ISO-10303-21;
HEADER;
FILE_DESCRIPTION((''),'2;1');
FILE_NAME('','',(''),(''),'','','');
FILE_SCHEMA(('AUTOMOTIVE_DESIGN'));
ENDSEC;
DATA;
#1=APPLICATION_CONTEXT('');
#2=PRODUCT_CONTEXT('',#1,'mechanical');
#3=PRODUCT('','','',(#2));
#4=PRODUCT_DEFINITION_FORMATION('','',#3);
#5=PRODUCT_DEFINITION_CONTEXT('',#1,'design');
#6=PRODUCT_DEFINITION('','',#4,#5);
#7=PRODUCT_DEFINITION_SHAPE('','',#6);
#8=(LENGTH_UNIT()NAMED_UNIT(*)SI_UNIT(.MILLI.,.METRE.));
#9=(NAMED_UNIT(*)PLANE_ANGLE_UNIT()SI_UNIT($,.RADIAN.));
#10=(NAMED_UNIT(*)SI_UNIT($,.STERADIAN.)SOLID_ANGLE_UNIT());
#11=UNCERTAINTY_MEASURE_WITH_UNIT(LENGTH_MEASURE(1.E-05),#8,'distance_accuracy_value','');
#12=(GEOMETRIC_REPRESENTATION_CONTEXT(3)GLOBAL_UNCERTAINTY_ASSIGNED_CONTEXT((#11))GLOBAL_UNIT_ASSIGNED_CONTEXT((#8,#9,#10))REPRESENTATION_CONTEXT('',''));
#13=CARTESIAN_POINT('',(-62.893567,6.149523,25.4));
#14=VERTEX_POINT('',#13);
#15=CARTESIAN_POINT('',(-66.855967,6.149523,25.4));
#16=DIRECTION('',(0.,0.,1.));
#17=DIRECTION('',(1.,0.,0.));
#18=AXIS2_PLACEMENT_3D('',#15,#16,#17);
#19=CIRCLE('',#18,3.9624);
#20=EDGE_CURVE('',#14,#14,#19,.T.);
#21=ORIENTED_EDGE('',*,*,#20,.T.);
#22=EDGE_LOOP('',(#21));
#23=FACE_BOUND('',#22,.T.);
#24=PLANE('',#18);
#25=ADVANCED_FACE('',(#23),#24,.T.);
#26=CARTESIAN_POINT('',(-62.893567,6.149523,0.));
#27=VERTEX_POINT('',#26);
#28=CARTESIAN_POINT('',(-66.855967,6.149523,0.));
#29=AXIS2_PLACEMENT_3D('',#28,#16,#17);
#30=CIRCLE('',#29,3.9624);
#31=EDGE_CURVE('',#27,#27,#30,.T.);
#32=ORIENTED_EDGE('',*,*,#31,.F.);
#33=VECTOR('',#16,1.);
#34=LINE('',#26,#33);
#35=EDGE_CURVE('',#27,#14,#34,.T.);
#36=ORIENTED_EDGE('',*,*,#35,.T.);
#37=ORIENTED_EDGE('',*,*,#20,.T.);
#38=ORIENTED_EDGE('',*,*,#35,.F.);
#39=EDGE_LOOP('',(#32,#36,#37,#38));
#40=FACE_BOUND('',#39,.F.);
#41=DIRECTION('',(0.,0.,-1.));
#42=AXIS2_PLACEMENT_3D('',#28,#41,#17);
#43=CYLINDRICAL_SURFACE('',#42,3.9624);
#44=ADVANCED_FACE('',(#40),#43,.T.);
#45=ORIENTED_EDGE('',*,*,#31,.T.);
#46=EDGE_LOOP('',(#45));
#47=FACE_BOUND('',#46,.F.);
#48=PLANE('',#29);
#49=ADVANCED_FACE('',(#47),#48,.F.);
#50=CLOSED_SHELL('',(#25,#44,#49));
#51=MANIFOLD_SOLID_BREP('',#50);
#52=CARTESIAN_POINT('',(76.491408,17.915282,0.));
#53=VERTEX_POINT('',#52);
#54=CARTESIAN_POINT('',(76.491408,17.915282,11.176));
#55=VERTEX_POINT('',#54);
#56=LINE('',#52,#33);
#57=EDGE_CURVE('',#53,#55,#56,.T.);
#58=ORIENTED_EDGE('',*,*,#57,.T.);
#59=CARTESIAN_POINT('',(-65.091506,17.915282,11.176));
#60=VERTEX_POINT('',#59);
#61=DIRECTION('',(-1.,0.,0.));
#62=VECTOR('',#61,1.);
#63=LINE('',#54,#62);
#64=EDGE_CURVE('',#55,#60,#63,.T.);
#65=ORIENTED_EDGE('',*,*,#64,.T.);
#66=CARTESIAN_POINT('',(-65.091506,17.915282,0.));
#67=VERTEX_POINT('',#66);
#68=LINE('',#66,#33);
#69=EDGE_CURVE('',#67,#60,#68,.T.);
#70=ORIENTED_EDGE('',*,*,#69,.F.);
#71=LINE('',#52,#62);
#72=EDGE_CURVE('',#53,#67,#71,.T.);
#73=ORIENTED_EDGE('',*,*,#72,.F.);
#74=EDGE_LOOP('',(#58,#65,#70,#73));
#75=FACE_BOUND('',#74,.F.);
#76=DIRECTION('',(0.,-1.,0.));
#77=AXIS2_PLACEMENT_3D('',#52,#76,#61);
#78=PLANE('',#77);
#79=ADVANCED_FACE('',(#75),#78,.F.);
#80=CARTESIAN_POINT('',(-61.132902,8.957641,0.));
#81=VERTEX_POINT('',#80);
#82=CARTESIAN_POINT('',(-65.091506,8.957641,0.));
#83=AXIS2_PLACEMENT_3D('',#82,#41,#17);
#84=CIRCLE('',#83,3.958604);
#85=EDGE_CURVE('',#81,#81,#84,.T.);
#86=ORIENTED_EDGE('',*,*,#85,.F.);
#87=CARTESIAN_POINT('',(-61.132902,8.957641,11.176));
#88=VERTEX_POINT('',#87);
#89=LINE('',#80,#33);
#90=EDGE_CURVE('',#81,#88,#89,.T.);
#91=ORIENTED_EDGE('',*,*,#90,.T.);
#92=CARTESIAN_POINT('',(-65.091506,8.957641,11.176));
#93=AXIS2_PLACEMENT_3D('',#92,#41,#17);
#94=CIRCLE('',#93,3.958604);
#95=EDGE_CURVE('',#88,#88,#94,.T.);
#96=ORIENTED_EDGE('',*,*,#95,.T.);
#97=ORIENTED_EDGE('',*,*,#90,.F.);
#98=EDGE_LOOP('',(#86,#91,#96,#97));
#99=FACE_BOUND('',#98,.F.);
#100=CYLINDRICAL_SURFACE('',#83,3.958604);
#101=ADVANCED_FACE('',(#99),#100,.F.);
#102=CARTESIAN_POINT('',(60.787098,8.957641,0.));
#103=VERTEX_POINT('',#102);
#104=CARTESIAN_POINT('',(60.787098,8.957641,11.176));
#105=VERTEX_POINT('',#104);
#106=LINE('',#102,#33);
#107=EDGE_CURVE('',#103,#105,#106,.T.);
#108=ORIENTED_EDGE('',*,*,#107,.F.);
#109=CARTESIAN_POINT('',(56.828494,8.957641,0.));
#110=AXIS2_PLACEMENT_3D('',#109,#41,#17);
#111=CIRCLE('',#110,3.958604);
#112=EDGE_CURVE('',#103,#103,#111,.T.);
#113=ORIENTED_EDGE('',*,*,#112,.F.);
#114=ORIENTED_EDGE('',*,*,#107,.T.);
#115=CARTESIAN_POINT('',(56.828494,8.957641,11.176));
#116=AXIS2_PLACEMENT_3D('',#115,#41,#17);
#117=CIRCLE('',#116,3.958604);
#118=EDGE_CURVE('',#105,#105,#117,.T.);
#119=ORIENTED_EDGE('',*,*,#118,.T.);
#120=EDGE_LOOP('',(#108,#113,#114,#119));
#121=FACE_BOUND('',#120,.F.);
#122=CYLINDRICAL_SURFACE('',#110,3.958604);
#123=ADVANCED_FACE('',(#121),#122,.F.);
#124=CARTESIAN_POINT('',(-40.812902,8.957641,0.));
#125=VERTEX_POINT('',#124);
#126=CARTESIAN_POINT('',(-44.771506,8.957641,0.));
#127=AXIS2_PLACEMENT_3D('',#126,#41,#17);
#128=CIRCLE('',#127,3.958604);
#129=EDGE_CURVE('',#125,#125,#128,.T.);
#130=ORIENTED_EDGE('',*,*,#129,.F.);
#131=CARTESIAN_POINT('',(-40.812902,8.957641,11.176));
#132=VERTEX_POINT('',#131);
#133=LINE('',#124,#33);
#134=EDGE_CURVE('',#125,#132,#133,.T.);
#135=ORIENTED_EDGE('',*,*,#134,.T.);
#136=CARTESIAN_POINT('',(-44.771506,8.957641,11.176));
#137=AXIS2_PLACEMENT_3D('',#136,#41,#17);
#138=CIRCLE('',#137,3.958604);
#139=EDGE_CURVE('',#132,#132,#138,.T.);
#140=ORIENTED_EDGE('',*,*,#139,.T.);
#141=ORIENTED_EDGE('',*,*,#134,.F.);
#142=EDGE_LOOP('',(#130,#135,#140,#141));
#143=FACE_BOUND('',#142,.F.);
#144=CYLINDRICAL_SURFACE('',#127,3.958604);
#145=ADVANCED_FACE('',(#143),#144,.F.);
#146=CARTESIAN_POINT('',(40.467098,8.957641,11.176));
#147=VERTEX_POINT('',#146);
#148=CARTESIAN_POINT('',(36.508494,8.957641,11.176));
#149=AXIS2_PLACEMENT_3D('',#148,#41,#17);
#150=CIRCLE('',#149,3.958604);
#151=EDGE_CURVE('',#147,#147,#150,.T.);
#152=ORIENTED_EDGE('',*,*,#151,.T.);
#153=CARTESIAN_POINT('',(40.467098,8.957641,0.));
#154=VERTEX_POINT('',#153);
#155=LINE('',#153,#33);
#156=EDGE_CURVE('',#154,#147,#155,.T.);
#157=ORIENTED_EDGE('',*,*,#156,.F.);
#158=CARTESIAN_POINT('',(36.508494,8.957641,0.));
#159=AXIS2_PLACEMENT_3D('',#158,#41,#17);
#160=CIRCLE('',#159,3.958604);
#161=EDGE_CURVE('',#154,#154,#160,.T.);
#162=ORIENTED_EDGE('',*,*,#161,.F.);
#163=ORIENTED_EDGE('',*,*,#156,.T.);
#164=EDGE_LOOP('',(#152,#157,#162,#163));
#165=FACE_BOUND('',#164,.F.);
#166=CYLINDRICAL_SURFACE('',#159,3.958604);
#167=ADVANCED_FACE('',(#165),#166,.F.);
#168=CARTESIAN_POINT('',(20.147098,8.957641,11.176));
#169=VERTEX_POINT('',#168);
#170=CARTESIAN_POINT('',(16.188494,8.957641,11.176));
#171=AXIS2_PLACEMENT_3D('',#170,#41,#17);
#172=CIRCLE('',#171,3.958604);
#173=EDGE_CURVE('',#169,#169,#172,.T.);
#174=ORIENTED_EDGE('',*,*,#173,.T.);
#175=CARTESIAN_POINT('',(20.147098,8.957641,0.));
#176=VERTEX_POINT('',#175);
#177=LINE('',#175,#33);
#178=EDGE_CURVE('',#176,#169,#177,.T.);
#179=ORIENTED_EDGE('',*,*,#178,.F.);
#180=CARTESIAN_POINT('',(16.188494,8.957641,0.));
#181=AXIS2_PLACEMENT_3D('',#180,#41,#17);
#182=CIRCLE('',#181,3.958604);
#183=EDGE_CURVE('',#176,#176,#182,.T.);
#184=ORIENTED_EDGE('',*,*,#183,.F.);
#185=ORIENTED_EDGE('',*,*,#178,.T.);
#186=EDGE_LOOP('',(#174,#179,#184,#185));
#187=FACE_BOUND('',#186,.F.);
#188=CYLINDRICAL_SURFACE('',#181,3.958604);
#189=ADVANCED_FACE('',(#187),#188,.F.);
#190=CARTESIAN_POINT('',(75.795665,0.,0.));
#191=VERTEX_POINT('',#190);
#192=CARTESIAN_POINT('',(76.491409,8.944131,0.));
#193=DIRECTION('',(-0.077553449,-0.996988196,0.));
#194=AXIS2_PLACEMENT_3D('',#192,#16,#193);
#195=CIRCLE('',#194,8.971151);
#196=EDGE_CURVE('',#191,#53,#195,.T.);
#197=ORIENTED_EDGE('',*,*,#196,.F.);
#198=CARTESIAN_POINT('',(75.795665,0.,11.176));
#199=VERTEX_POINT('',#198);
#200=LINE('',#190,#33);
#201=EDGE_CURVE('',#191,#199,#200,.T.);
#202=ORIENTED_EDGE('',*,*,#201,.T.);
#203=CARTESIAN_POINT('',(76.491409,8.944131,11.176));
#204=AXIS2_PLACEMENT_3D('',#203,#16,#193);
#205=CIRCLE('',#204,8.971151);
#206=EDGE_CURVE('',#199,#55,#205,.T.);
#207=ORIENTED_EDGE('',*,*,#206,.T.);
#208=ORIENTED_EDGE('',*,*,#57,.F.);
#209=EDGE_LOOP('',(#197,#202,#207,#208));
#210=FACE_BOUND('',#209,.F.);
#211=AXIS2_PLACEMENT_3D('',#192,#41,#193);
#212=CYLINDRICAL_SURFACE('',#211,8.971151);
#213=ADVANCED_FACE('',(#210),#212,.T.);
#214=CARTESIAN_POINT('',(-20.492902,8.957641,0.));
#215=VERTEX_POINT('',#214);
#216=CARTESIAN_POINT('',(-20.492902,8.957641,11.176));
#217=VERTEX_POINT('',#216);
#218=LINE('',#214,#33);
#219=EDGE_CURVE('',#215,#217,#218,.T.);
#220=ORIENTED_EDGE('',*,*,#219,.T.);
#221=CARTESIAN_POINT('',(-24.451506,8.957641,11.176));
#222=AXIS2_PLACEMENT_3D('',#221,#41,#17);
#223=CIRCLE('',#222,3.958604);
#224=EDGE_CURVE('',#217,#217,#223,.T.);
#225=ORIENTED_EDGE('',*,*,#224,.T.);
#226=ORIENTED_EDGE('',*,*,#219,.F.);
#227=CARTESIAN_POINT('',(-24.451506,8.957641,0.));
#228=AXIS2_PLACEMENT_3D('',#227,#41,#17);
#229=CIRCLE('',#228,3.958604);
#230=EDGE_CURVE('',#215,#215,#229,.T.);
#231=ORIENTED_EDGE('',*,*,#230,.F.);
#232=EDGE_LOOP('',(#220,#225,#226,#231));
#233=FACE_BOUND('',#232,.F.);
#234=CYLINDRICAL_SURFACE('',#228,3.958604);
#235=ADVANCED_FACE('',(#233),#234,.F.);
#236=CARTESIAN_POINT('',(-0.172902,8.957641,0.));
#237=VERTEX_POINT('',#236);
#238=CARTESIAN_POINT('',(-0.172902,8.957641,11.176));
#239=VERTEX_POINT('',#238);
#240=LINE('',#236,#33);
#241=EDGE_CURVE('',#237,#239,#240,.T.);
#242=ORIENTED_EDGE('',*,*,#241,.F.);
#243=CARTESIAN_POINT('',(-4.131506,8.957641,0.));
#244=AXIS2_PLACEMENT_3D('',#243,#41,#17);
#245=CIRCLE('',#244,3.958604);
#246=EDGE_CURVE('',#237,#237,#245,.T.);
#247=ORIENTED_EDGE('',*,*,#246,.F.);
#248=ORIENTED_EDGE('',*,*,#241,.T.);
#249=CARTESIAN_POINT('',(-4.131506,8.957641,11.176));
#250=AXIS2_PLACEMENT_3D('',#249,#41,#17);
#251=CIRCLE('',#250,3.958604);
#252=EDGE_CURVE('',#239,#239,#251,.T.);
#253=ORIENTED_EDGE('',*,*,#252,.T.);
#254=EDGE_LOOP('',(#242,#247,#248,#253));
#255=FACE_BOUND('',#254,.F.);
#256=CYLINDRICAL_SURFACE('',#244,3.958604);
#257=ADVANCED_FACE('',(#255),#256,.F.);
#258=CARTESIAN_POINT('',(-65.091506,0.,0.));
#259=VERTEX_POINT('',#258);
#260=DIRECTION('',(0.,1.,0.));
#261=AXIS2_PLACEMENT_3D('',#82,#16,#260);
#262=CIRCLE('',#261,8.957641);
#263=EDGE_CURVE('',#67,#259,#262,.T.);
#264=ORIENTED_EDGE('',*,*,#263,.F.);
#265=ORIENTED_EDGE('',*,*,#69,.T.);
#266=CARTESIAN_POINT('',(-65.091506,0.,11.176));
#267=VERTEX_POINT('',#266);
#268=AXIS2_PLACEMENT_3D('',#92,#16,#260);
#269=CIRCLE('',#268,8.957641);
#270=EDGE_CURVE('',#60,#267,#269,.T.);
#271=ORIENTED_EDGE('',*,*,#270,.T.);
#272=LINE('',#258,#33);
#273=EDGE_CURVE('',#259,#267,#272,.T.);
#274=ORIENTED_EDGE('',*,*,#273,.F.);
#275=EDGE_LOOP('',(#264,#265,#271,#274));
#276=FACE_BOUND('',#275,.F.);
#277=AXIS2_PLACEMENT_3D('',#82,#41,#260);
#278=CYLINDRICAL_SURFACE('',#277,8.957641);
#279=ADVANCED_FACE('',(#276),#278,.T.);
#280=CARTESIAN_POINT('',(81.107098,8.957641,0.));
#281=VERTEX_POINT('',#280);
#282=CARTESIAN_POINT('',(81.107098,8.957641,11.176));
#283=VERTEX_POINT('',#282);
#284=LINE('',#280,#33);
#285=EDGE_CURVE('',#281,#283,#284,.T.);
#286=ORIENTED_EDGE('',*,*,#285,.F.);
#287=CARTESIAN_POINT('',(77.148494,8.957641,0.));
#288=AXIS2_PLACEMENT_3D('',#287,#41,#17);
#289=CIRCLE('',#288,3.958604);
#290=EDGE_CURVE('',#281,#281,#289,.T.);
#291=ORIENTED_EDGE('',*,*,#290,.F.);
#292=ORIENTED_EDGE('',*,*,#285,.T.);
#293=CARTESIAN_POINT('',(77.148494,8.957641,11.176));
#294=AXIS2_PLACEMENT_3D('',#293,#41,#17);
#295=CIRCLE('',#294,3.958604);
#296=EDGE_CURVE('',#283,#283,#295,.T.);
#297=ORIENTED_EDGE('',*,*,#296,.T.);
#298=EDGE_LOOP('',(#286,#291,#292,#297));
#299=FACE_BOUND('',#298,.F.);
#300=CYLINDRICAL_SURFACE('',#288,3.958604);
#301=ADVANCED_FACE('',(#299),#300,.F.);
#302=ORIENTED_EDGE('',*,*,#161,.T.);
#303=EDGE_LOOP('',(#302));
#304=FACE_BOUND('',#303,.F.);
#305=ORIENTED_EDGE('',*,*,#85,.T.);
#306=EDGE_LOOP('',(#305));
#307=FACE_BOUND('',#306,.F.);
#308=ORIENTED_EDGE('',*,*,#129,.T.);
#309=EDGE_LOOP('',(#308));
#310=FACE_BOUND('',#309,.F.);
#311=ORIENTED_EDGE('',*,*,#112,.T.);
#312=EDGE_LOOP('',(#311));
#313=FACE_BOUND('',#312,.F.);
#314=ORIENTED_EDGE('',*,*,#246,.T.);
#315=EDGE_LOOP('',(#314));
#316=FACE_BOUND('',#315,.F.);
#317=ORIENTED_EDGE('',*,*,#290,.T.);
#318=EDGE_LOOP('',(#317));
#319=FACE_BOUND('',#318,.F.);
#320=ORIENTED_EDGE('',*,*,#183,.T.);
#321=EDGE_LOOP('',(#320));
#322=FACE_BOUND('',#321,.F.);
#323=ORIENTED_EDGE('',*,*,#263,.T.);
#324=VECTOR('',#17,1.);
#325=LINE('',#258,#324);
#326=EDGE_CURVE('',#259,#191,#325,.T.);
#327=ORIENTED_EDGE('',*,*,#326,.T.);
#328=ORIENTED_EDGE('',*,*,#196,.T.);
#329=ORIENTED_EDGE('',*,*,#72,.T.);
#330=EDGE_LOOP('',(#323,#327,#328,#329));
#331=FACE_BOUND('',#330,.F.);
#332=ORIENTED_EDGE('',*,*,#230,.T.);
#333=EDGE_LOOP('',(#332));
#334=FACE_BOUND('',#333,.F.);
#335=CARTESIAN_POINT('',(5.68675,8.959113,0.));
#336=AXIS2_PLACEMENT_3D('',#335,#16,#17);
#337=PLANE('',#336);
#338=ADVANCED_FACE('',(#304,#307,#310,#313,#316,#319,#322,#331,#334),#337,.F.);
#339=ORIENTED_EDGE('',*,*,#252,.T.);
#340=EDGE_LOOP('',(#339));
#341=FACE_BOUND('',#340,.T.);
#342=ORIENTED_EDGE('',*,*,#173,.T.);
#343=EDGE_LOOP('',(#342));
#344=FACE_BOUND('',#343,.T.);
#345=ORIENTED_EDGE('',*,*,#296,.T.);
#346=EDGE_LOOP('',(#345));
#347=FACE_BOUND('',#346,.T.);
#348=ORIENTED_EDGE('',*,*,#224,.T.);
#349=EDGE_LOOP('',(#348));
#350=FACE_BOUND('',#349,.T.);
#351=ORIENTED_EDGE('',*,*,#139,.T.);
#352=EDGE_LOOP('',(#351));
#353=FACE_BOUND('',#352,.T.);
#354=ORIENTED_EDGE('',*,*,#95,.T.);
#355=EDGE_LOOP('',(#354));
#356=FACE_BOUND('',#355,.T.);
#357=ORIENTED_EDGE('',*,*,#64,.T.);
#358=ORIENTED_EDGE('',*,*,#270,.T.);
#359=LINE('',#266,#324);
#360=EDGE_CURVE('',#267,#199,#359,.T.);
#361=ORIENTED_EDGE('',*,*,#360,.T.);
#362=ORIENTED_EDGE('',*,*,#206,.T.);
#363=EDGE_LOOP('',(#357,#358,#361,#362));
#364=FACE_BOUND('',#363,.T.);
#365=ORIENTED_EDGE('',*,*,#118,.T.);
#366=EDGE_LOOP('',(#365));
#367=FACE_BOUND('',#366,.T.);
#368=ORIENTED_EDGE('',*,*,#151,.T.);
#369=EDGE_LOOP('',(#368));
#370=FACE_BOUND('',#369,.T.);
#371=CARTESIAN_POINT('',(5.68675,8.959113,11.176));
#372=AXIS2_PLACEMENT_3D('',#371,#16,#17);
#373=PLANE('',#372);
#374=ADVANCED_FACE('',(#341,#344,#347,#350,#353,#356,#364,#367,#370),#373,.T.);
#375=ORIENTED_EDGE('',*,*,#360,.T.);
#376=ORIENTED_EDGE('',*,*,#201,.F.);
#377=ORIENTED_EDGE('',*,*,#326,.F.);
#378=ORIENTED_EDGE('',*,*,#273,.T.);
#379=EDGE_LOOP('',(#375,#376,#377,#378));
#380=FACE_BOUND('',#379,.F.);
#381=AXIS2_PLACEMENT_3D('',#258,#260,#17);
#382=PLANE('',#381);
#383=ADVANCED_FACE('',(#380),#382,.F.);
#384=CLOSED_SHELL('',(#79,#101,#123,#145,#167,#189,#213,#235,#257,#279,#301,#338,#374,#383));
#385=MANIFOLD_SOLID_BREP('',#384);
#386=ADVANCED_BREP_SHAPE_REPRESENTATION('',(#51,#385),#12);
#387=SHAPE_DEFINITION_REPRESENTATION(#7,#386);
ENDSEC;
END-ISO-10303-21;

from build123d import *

# Parameters (mm, degrees)
F1_DEPTH = 11.176
F2_R     = 3.958604
F3_DEPTH = 25.4
F4_R     = 3.9624
F5_DEPTH = 25.4


with BuildPart() as f1:
    # F0 (on Top) → F1 (new body)
    with BuildSketch(Plane.XY):
        with BuildLine():
            ThreePointArc((-65.091506, 17.915282), (-74.049147, 8.957641), (-65.091506, 0))
            Line((-65.091506, 0), (75.795665, 0))
            ThreePointArc((75.795665, 0), (85.455802, 8.595998), (76.491408, 17.915282))
            Line((76.491408, 17.915282), (-65.091506, 17.915282))
        make_face()
    extrude(amount=F1_DEPTH)

    # F2 (on face) → F3 (cut)
    with BuildSketch(Plane(origin=(0, 0, 0), x_dir=(1, 0, 0), z_dir=(0, 0, -1))):
        with Locations((-24.451506, -8.957641)):
            Circle(F2_R)
        with Locations((-4.131506, -8.957641)):
            Circle(F2_R)
        with Locations((16.188494, -8.957641)):
            Circle(F2_R)
        with Locations((36.508494, -8.957641)):
            Circle(F2_R)
        with Locations((56.828494, -8.957641)):
            Circle(F2_R)
        with Locations((77.148494, -8.957641)):
            Circle(F2_R)
        with Locations((-44.771506, -8.957641)):
            Circle(F2_R)
        with Locations((-65.091506, -8.957641)):
            Circle(F2_R)
    extrude(amount=-F3_DEPTH, mode=Mode.SUBTRACT)


with BuildPart() as f5:
    # F4 (on Top) → F5 (new body)
    with BuildSketch(Plane.XY):
        with Locations((-66.855967, 6.149523)):
            Circle(F4_R)
    extrude(amount=F5_DEPTH)


solid = Compound([f1.part, f5.part])
